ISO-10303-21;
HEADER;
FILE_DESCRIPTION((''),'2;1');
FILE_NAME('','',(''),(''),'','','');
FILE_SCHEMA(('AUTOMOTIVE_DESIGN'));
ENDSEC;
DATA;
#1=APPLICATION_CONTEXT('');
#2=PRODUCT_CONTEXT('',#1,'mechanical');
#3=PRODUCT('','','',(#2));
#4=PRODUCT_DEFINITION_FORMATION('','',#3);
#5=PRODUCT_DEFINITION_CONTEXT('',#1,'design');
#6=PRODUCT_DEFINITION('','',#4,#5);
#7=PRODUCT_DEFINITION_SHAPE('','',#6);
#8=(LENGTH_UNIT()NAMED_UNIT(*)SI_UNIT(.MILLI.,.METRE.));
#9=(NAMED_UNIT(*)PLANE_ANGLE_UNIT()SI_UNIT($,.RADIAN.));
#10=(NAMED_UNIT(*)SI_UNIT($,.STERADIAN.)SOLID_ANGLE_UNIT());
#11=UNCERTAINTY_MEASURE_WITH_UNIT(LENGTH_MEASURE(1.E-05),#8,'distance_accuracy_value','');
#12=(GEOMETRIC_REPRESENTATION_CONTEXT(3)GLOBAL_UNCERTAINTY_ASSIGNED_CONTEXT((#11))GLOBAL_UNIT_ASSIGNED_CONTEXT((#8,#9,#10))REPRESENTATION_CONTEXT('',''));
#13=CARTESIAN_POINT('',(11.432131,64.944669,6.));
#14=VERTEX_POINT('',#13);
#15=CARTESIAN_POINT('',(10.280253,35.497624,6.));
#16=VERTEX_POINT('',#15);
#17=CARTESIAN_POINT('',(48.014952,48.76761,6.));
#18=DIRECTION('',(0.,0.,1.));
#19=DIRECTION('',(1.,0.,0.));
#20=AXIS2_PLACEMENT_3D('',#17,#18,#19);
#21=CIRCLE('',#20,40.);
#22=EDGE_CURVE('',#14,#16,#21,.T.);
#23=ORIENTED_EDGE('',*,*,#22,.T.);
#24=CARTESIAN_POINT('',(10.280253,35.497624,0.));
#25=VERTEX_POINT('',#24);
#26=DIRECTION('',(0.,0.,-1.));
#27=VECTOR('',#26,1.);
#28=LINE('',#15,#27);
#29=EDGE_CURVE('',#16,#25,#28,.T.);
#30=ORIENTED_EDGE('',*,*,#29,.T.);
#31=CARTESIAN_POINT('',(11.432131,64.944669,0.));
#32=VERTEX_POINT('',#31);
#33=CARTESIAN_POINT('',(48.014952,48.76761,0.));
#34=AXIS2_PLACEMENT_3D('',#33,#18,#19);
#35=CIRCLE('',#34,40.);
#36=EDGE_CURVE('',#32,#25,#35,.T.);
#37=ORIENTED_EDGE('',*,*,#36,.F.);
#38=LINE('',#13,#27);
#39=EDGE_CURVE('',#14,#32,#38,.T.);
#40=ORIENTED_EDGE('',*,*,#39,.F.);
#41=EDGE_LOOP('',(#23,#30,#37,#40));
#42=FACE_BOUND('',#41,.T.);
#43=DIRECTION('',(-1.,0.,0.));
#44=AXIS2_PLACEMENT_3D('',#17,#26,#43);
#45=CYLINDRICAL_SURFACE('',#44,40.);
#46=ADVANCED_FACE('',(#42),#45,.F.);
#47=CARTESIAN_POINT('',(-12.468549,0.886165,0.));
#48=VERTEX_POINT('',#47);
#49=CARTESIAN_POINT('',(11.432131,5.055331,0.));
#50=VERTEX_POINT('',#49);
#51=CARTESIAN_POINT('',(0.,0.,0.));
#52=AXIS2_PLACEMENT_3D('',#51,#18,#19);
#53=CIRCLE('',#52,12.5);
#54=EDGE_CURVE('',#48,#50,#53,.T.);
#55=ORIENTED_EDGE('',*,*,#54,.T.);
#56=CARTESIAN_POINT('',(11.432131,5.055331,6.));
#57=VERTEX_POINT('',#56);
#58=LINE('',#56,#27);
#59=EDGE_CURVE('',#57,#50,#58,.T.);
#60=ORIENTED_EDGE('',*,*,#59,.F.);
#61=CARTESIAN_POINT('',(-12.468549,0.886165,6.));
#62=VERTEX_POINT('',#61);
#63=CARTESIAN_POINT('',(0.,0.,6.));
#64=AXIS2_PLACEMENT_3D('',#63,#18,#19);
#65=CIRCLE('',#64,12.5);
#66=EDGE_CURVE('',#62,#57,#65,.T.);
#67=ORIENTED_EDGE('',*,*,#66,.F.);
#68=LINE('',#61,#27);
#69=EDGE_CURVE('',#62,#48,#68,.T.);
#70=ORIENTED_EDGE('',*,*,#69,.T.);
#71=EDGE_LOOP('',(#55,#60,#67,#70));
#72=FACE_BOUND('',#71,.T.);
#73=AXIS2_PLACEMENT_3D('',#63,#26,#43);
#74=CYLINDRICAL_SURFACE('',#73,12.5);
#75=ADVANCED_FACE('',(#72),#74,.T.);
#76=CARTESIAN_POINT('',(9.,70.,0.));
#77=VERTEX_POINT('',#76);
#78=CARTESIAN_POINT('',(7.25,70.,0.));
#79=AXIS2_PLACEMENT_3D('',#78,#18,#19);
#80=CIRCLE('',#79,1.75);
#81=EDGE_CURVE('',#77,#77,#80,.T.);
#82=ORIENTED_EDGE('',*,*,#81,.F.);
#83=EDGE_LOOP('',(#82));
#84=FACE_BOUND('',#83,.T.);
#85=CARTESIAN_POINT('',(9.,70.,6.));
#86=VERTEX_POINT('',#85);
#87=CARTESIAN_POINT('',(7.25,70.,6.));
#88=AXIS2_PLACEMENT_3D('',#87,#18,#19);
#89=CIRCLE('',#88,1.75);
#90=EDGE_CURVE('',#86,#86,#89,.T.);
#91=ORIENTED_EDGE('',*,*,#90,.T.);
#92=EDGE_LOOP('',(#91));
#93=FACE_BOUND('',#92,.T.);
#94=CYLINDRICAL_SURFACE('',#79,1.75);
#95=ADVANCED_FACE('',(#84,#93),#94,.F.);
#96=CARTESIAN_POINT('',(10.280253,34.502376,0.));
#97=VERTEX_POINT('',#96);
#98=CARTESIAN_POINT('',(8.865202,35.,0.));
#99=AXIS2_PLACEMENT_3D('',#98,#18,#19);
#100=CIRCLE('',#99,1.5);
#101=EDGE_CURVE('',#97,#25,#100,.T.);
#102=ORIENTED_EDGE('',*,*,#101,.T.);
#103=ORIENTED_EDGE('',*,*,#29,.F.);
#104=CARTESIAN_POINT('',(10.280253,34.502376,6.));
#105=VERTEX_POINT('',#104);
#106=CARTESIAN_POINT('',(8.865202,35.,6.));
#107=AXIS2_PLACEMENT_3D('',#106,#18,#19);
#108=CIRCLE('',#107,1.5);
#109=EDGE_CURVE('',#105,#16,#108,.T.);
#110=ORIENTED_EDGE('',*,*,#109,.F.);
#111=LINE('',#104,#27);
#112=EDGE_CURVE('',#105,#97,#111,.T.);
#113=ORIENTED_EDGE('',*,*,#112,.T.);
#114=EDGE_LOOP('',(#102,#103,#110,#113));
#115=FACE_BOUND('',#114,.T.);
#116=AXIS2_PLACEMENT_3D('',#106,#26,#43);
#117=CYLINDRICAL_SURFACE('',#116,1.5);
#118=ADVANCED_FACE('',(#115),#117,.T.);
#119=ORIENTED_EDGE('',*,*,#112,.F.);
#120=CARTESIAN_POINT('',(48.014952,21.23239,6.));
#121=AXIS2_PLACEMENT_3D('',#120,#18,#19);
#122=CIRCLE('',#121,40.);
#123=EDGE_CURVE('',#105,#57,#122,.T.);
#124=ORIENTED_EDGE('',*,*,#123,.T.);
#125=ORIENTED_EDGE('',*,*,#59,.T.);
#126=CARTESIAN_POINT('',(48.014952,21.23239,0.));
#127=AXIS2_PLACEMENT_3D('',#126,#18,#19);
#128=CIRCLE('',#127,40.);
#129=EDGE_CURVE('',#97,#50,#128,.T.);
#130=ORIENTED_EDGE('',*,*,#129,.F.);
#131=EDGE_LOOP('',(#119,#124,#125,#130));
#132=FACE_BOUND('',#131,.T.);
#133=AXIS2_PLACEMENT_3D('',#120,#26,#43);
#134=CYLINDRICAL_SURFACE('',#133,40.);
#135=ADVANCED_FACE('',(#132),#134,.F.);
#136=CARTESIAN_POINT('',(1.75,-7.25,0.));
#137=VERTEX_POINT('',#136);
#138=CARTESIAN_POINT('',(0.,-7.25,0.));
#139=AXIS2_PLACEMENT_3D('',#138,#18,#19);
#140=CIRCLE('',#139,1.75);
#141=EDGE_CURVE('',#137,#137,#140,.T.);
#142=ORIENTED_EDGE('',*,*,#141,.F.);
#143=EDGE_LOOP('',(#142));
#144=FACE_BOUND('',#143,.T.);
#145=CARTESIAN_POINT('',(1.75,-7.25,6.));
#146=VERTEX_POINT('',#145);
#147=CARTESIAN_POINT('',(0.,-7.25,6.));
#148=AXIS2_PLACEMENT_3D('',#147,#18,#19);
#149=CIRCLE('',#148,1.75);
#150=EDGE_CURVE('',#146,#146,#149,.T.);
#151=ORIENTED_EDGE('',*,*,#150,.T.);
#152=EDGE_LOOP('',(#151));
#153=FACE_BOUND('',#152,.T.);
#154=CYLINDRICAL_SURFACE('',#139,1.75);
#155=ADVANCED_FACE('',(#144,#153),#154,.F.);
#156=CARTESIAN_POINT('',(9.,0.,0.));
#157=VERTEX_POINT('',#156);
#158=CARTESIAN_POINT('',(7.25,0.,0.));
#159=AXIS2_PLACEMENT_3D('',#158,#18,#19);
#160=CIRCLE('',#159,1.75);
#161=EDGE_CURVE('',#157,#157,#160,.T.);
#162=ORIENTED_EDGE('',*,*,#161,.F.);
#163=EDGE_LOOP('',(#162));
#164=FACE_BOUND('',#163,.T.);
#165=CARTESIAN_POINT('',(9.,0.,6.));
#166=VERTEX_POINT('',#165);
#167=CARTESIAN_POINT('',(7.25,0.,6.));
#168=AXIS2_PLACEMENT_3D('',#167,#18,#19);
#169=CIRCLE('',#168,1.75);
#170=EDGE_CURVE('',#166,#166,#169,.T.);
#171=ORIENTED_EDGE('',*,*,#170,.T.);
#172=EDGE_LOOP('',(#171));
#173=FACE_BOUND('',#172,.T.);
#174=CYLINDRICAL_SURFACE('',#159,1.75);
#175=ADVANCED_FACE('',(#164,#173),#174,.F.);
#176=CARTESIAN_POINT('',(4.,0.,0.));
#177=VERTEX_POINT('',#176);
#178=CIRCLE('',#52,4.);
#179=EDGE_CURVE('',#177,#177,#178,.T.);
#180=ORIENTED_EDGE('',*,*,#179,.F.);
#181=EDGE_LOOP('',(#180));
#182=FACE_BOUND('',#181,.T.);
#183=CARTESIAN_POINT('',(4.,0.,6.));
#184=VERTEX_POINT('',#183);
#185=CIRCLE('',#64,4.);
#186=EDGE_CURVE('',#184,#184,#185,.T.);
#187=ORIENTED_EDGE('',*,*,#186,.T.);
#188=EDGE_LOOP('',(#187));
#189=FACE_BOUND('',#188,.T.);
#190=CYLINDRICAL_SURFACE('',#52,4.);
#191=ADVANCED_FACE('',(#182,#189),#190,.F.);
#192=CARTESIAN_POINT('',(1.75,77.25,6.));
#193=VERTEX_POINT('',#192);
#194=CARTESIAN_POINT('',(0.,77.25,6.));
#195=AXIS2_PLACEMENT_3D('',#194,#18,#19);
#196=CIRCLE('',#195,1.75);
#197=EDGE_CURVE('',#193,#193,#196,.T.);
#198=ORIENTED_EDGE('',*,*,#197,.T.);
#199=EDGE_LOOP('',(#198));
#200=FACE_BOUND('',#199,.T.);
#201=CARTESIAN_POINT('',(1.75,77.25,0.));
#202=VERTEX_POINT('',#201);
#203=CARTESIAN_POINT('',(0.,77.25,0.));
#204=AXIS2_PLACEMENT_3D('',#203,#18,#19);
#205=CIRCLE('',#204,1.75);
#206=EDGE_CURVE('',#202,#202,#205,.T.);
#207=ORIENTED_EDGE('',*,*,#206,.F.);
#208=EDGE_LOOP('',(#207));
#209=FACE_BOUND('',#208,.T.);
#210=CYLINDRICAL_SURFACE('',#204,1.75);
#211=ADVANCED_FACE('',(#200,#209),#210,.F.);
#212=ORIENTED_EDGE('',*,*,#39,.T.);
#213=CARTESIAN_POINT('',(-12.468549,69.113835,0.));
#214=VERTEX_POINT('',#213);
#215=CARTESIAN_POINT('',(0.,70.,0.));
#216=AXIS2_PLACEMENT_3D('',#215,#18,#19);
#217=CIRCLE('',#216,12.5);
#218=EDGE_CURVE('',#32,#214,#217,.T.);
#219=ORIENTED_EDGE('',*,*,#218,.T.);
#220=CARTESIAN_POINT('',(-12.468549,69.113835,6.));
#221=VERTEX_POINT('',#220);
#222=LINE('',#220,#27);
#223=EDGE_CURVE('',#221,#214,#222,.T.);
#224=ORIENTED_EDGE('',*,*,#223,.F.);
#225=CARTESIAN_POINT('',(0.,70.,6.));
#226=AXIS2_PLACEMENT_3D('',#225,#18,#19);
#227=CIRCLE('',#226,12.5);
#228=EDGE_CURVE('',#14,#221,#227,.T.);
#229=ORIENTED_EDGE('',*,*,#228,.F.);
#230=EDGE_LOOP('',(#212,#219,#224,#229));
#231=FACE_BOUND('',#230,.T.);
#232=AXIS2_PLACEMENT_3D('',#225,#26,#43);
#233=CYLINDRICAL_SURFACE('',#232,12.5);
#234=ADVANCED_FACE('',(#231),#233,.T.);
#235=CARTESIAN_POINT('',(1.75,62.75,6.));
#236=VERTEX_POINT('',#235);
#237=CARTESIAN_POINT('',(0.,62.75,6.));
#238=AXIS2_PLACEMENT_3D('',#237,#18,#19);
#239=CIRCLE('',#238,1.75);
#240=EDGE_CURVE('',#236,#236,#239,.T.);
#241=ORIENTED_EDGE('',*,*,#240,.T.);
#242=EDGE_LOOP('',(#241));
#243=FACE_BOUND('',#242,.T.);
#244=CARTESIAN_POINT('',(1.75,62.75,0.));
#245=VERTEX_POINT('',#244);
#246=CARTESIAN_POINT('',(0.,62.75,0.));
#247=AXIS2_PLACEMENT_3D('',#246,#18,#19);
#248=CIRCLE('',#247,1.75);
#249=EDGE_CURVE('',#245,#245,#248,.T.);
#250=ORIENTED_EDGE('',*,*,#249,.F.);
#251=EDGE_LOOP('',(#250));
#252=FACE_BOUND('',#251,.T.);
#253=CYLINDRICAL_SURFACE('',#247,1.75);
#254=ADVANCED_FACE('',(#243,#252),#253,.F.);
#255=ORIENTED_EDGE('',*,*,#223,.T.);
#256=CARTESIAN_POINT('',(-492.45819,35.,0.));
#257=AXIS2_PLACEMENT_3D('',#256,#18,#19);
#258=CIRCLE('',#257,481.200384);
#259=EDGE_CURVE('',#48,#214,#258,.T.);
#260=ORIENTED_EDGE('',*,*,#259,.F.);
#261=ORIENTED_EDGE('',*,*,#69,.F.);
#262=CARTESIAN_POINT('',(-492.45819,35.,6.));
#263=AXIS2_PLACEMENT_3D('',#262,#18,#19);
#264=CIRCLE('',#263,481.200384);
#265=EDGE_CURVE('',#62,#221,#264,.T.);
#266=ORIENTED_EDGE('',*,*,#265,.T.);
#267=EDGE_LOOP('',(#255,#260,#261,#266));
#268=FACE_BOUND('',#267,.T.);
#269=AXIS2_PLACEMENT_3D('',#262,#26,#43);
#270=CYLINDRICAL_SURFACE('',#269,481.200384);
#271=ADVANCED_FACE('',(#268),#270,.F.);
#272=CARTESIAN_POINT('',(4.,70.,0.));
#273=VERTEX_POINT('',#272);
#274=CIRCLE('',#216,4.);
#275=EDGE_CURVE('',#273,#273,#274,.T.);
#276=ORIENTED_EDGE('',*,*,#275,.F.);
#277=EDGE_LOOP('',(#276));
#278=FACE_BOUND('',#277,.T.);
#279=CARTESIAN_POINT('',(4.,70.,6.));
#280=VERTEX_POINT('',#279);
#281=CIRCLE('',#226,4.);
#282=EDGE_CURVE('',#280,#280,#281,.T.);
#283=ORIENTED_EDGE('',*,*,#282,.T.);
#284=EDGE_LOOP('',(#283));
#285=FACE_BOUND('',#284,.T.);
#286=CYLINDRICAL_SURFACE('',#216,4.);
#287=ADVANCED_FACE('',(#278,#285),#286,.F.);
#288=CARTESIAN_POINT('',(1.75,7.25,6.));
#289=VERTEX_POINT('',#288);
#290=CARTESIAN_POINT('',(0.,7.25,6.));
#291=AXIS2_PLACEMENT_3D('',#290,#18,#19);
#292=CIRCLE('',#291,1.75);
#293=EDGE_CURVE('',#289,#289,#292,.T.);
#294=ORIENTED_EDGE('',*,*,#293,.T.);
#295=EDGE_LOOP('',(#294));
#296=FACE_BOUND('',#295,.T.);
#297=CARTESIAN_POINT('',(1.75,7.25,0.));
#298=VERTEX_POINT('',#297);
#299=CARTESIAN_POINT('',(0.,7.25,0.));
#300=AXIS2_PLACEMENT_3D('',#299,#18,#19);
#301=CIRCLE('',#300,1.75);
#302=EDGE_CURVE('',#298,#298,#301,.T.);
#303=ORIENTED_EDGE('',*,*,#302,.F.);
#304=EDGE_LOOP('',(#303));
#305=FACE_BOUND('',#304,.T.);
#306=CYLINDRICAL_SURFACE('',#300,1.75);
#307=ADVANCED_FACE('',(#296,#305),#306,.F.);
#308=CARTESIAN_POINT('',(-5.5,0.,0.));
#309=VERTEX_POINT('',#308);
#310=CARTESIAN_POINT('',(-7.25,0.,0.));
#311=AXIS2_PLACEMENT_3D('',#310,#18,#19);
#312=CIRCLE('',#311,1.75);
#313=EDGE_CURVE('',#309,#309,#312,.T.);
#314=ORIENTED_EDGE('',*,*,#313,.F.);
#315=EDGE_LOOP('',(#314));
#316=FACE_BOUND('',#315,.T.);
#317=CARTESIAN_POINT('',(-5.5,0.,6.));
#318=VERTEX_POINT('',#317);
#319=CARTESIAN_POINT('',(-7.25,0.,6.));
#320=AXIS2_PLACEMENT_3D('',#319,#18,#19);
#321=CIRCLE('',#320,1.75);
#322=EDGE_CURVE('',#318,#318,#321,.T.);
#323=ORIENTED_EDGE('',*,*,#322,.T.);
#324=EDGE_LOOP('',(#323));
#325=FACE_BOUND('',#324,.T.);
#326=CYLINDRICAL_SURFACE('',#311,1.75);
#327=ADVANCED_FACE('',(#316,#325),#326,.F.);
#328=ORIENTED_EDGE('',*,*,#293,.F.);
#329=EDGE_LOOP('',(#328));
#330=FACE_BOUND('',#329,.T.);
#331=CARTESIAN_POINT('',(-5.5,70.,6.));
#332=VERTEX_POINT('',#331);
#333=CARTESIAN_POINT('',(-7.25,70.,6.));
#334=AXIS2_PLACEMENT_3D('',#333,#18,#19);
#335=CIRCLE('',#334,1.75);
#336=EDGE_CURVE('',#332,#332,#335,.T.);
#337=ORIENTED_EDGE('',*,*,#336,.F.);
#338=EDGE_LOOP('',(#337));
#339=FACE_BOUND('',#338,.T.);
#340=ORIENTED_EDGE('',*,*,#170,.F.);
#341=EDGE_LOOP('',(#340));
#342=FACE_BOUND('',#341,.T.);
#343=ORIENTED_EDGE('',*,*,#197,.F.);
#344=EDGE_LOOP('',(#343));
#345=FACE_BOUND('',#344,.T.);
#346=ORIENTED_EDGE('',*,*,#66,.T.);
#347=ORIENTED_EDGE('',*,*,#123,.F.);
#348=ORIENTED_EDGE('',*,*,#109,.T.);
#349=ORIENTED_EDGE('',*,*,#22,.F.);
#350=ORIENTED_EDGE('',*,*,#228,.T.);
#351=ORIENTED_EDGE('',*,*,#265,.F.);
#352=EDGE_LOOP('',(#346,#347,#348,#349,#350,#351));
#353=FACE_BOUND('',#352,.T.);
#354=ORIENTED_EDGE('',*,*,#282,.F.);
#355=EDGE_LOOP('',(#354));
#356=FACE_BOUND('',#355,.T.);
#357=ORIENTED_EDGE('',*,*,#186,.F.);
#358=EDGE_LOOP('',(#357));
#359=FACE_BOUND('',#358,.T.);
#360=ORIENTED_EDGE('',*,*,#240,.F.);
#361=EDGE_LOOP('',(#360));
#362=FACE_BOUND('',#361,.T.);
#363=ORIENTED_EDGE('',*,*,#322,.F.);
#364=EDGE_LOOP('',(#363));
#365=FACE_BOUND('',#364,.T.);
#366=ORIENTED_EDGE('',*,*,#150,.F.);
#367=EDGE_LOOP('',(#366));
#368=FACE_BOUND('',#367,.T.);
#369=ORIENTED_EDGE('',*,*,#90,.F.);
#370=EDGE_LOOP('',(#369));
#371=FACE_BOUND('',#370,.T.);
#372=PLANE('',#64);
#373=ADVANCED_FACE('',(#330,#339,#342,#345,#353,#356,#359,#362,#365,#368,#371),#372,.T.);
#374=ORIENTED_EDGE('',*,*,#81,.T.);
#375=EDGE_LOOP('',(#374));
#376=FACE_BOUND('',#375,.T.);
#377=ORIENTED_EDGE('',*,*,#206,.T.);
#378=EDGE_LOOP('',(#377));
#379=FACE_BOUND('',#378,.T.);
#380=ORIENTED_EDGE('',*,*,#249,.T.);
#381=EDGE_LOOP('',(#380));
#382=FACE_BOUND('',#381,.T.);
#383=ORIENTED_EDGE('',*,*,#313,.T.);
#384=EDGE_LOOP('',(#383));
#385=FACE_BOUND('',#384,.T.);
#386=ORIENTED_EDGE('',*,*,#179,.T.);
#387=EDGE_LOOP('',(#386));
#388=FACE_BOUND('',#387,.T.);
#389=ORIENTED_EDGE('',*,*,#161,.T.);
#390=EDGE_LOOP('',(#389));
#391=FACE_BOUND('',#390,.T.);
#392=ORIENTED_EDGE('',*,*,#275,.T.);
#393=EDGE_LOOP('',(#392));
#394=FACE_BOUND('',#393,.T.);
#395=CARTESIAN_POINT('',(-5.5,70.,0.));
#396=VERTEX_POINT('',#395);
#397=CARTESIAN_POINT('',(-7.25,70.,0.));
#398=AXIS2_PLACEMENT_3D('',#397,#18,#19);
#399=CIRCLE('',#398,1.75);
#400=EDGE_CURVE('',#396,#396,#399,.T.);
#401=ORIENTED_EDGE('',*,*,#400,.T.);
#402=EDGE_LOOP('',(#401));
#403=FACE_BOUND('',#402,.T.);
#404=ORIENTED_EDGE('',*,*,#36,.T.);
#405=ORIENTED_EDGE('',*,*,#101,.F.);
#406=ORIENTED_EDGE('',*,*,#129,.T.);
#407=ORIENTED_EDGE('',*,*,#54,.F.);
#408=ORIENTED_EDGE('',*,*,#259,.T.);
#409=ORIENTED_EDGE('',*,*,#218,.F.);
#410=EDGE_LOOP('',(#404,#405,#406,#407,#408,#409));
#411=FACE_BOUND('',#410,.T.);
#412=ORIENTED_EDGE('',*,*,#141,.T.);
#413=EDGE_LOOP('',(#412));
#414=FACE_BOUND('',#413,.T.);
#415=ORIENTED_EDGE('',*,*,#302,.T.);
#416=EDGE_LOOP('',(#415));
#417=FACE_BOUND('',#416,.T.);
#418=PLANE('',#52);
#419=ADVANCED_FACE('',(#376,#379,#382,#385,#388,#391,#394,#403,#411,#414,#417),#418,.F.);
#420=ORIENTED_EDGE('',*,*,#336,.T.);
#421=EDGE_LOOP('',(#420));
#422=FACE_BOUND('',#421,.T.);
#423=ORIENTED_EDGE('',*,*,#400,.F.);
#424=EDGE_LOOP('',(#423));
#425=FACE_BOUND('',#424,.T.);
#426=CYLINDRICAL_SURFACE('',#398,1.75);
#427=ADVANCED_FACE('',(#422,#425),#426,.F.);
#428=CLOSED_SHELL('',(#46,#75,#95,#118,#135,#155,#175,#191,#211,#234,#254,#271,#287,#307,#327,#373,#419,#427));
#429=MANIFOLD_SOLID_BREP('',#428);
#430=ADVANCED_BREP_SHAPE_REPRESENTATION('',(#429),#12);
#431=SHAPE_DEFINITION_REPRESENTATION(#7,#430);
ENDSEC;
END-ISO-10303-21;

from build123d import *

# Parameters (mm, degrees)
SKETCH1_R           = 12.5
SKETCH1_R_2         = 1.5
BOSS_EXTRUDE1_DEPTH = 6
SKETCH2_R           = 4
SKETCH2_R_2         = 1.75
CUT_EXTRUDE1_DEPTH  = 84.657037959


with BuildPart() as part:
    # Sketch1 → Boss-Extrude1 (new body)
    with BuildSketch(Plane.XY):
        with BuildLine():
            ThreePointArc((-12.468548805, 0.886166287), (-2.14802756, 12.314056099), (11.432131685, 5.05533037))
            ThreePointArc((11.432131685, 5.05533037), (8.045519539, 19.668908158), (10.280253267, 34.502375816))
            ThreePointArc((10.280253267, 34.502375816), (7.365201971, 34.999999986), (10.280253258, 35.497624211))
            ThreePointArc((10.280253258, 35.497624211), (8.045519539, 50.331091856), (11.432131685, 64.944669631))
            ThreePointArc((11.432131685, 64.944669631), (-2.148028371, 57.685944043), (-12.468548922, 69.113835355))
            ThreePointArc((-12.468548922, 69.113835355), (-11.560587189, 52.067656989), (-11.257806268, 35))
            ThreePointArc((-11.257806268, 35), (-11.56058716, 17.932343833), (-12.468548805, 0.886166287))
        make_face()
        with Locations((0, 70)):
            Circle(SKETCH1_R)
        with Locations((8.865201971, 35)):
            Circle(SKETCH1_R_2)
        Circle(SKETCH1_R)
    extrude(amount=BOSS_EXTRUDE1_DEPTH)

    # Sketch2 → Cut-Extrude1 (cut, through all)
    with BuildSketch(Plane.XY.offset(6)):
        with Locations((0, 70)):
            Circle(SKETCH2_R)
        Circle(SKETCH2_R)
        with Locations((0, 7.25)):
            Circle(SKETCH2_R_2)
        with Locations((7.25, 0)):
            Circle(SKETCH2_R_2)
        with Locations((0, -7.25)):
            Circle(SKETCH2_R_2)
        with Locations((-7.25, 0)):
            Circle(SKETCH2_R_2)
        with Locations((0, 77.25)):
            Circle(SKETCH2_R_2)
        with Locations((7.25, 70)):
            Circle(SKETCH2_R_2)
        with Locations((0, 62.75)):
            Circle(SKETCH2_R_2)
        with Locations((-7.25, 70)):
            Circle(SKETCH2_R_2)
    extrude(amount=-CUT_EXTRUDE1_DEPTH, mode=Mode.SUBTRACT)


solid = part.part
